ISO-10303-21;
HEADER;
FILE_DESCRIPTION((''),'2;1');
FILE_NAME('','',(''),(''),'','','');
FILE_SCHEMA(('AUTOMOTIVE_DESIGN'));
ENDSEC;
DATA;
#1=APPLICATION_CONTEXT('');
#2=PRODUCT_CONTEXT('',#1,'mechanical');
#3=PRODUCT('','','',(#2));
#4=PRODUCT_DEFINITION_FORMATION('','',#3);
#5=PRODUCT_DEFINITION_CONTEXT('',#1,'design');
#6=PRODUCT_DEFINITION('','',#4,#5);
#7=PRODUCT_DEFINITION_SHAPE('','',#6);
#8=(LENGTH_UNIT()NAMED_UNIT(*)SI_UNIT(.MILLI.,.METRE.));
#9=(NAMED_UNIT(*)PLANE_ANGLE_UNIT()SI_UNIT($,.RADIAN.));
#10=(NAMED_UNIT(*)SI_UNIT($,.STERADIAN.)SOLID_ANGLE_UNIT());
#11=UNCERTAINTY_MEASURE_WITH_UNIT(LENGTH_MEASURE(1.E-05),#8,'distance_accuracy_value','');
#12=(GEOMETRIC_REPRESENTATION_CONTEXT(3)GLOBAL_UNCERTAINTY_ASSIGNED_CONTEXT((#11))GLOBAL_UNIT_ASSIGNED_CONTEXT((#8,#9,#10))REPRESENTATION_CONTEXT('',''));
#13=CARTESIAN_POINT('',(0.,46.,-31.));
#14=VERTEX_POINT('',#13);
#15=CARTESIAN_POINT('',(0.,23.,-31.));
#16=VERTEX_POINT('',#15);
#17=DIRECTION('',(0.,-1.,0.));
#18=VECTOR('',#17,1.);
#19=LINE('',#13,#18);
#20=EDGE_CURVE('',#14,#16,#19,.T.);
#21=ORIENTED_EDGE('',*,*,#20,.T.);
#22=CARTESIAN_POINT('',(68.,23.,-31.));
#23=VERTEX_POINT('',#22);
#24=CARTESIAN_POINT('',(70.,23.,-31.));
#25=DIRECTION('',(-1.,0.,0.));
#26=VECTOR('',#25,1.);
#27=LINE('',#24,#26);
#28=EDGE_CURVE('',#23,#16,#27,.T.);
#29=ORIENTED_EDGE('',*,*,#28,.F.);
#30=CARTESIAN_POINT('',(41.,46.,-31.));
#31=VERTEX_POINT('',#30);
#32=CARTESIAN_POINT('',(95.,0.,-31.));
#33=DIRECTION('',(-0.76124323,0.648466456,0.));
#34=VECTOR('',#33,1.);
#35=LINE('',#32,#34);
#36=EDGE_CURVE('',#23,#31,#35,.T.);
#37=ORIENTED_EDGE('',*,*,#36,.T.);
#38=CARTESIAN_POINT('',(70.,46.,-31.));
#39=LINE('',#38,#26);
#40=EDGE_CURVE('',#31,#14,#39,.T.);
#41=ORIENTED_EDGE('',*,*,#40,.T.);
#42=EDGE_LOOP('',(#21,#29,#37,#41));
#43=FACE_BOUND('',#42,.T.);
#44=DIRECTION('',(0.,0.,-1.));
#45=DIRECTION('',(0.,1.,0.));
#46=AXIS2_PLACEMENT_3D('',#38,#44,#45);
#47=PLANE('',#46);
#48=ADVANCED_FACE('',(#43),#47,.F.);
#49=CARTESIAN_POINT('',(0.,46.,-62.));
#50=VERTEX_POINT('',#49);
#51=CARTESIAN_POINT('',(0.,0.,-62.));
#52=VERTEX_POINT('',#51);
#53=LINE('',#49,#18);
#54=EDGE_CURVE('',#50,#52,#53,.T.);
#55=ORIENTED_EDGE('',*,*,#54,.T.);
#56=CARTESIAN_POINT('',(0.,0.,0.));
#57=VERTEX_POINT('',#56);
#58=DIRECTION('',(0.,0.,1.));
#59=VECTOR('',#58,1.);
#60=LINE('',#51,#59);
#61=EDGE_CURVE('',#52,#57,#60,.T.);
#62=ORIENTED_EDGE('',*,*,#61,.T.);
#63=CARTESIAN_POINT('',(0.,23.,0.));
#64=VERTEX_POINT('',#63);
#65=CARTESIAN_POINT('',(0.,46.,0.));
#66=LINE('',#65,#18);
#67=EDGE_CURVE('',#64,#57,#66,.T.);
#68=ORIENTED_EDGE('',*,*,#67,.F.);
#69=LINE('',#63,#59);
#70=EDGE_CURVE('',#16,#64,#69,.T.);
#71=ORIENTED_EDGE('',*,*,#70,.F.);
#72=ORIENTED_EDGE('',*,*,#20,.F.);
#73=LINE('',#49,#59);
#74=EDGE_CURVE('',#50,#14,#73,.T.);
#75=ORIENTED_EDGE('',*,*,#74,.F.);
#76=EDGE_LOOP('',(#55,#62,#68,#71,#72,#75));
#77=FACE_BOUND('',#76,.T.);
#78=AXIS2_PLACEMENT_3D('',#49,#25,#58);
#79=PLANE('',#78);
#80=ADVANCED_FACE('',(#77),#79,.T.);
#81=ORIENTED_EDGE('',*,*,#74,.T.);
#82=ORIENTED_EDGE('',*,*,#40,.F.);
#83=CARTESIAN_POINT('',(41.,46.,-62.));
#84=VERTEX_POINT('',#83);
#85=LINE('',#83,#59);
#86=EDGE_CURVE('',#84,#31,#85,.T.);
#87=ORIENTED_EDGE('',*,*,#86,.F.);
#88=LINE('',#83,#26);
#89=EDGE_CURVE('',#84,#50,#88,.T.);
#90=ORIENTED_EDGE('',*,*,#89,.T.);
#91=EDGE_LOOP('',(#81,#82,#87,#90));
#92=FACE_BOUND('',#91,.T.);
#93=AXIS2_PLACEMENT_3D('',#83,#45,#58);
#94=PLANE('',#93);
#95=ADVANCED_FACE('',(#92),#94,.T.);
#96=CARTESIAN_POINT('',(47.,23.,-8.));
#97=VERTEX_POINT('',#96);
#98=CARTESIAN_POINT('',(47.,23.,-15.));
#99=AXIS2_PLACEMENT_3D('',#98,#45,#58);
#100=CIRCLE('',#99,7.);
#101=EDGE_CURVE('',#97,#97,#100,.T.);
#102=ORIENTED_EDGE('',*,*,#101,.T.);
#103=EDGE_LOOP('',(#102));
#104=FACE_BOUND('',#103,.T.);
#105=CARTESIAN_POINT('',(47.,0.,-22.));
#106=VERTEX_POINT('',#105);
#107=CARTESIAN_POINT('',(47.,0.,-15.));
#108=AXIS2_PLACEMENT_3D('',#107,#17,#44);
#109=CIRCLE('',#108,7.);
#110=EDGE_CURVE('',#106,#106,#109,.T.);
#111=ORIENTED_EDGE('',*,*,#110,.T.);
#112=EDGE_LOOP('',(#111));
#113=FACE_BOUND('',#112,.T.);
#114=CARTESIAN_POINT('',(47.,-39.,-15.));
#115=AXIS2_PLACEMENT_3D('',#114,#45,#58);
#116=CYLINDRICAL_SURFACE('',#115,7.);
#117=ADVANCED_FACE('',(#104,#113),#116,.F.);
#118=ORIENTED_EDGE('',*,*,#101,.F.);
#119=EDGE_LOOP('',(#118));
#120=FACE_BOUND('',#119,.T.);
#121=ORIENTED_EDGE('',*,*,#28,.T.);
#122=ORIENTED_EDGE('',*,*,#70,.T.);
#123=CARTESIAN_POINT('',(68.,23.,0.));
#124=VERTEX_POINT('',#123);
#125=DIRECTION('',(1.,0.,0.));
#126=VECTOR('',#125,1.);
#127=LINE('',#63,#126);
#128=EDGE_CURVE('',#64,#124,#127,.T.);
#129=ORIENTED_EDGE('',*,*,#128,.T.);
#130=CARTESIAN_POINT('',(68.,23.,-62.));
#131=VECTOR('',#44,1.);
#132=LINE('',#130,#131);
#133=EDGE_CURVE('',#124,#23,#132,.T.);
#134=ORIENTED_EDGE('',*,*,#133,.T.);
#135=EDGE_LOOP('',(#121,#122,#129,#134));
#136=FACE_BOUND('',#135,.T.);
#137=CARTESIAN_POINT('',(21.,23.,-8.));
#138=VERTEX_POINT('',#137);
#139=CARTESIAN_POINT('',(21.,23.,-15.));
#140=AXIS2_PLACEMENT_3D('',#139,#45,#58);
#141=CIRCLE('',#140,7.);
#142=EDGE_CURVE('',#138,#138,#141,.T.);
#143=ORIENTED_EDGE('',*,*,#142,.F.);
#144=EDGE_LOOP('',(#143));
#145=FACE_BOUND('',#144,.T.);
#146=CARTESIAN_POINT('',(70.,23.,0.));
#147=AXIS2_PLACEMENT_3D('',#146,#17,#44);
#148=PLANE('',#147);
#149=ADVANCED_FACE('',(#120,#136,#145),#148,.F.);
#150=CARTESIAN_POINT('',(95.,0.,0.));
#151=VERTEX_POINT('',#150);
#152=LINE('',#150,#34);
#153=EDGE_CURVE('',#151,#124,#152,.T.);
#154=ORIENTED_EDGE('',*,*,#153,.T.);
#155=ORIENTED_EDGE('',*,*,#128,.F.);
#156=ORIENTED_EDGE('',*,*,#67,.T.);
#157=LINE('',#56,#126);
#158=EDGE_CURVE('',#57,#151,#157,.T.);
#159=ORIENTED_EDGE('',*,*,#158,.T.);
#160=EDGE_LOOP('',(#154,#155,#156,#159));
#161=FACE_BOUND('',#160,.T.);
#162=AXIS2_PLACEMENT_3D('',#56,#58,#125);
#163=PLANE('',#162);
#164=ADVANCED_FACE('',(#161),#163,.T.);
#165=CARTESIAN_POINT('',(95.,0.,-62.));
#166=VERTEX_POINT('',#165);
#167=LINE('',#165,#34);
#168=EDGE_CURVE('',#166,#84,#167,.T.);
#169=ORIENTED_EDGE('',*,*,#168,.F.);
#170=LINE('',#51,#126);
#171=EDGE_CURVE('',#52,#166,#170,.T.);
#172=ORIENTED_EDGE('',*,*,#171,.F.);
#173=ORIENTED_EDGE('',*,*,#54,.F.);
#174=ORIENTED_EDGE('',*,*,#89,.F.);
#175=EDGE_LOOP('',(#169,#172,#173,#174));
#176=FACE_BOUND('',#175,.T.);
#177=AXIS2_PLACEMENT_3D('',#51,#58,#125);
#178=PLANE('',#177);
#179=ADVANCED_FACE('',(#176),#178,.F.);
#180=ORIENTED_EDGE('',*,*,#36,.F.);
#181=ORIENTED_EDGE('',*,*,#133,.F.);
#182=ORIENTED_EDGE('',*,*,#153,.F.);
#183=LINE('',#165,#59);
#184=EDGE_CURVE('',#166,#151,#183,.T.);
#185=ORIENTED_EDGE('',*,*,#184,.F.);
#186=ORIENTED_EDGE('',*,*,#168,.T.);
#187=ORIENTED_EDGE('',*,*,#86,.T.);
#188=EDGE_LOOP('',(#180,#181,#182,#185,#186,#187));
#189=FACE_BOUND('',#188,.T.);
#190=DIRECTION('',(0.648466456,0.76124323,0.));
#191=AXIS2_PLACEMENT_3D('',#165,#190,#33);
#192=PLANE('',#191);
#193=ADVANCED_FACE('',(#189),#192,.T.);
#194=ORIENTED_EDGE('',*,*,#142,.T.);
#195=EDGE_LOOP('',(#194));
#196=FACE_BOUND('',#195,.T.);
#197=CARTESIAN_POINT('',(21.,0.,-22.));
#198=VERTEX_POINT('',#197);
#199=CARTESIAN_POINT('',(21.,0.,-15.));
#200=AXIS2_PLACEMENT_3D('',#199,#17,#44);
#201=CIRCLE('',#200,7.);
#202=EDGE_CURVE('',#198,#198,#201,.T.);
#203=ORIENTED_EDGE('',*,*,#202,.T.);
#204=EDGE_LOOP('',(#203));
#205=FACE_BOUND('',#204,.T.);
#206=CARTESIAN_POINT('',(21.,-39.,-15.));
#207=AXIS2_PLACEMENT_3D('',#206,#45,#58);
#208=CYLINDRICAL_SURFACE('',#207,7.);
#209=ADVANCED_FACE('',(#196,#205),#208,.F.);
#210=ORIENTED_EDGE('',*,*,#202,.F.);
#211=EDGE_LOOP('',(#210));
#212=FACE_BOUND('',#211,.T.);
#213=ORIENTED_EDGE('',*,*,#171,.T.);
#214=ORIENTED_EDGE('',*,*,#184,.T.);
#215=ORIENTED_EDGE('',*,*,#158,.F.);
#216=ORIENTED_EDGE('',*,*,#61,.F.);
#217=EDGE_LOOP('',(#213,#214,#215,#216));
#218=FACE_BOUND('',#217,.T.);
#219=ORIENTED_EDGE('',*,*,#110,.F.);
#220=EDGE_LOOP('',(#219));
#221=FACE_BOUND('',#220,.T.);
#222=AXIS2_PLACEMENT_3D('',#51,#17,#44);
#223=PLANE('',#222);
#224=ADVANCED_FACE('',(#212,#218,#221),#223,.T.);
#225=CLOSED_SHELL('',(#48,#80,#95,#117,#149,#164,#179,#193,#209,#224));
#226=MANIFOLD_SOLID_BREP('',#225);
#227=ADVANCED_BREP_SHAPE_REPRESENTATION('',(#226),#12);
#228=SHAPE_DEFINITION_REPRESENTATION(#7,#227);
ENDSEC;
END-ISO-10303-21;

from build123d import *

# Parameters (mm, degrees)
EXTRUDE_1_DEPTH     = 62
SKETCH_2_W          = 31
SKETCH_2_H          = 23
CUT_EXTRUDE_1_DEPTH = 70
SKETCH_3_R          = 7
CUT_EXTRUDE_2_DEPTH = 62


with BuildPart() as part:
    # 스케치1 → 보스-돌출1 (new body)
    with BuildSketch(Plane.XY):
        Polygon((0, 0), (95, 0), (41, 46), (0, 46), align=None)
    extrude(amount=-EXTRUDE_1_DEPTH)

    # 스케치2 → 컷-돌출1 (cut)
    with BuildSketch(Plane.ZY):
        with Locations((-15.5, 34.5)):
            Rectangle(SKETCH_2_W, SKETCH_2_H)
    extrude(amount=-CUT_EXTRUDE_1_DEPTH, mode=Mode.SUBTRACT)

    # 스케치3 → 컷-돌출2 (cut)
    with BuildSketch(Plane(origin=(0, 23, 0), x_dir=(1, 0, 0), z_dir=(0, 1, 0))):
        with Locations(Location((21, 15, 0), (0, 0, 270))):
            Circle(SKETCH_3_R)
        with Locations(Location((47, 15, 0), (0, 0, 270))):
            Circle(SKETCH_3_R)
    extrude(amount=-CUT_EXTRUDE_2_DEPTH, mode=Mode.SUBTRACT)


solid = part.part
